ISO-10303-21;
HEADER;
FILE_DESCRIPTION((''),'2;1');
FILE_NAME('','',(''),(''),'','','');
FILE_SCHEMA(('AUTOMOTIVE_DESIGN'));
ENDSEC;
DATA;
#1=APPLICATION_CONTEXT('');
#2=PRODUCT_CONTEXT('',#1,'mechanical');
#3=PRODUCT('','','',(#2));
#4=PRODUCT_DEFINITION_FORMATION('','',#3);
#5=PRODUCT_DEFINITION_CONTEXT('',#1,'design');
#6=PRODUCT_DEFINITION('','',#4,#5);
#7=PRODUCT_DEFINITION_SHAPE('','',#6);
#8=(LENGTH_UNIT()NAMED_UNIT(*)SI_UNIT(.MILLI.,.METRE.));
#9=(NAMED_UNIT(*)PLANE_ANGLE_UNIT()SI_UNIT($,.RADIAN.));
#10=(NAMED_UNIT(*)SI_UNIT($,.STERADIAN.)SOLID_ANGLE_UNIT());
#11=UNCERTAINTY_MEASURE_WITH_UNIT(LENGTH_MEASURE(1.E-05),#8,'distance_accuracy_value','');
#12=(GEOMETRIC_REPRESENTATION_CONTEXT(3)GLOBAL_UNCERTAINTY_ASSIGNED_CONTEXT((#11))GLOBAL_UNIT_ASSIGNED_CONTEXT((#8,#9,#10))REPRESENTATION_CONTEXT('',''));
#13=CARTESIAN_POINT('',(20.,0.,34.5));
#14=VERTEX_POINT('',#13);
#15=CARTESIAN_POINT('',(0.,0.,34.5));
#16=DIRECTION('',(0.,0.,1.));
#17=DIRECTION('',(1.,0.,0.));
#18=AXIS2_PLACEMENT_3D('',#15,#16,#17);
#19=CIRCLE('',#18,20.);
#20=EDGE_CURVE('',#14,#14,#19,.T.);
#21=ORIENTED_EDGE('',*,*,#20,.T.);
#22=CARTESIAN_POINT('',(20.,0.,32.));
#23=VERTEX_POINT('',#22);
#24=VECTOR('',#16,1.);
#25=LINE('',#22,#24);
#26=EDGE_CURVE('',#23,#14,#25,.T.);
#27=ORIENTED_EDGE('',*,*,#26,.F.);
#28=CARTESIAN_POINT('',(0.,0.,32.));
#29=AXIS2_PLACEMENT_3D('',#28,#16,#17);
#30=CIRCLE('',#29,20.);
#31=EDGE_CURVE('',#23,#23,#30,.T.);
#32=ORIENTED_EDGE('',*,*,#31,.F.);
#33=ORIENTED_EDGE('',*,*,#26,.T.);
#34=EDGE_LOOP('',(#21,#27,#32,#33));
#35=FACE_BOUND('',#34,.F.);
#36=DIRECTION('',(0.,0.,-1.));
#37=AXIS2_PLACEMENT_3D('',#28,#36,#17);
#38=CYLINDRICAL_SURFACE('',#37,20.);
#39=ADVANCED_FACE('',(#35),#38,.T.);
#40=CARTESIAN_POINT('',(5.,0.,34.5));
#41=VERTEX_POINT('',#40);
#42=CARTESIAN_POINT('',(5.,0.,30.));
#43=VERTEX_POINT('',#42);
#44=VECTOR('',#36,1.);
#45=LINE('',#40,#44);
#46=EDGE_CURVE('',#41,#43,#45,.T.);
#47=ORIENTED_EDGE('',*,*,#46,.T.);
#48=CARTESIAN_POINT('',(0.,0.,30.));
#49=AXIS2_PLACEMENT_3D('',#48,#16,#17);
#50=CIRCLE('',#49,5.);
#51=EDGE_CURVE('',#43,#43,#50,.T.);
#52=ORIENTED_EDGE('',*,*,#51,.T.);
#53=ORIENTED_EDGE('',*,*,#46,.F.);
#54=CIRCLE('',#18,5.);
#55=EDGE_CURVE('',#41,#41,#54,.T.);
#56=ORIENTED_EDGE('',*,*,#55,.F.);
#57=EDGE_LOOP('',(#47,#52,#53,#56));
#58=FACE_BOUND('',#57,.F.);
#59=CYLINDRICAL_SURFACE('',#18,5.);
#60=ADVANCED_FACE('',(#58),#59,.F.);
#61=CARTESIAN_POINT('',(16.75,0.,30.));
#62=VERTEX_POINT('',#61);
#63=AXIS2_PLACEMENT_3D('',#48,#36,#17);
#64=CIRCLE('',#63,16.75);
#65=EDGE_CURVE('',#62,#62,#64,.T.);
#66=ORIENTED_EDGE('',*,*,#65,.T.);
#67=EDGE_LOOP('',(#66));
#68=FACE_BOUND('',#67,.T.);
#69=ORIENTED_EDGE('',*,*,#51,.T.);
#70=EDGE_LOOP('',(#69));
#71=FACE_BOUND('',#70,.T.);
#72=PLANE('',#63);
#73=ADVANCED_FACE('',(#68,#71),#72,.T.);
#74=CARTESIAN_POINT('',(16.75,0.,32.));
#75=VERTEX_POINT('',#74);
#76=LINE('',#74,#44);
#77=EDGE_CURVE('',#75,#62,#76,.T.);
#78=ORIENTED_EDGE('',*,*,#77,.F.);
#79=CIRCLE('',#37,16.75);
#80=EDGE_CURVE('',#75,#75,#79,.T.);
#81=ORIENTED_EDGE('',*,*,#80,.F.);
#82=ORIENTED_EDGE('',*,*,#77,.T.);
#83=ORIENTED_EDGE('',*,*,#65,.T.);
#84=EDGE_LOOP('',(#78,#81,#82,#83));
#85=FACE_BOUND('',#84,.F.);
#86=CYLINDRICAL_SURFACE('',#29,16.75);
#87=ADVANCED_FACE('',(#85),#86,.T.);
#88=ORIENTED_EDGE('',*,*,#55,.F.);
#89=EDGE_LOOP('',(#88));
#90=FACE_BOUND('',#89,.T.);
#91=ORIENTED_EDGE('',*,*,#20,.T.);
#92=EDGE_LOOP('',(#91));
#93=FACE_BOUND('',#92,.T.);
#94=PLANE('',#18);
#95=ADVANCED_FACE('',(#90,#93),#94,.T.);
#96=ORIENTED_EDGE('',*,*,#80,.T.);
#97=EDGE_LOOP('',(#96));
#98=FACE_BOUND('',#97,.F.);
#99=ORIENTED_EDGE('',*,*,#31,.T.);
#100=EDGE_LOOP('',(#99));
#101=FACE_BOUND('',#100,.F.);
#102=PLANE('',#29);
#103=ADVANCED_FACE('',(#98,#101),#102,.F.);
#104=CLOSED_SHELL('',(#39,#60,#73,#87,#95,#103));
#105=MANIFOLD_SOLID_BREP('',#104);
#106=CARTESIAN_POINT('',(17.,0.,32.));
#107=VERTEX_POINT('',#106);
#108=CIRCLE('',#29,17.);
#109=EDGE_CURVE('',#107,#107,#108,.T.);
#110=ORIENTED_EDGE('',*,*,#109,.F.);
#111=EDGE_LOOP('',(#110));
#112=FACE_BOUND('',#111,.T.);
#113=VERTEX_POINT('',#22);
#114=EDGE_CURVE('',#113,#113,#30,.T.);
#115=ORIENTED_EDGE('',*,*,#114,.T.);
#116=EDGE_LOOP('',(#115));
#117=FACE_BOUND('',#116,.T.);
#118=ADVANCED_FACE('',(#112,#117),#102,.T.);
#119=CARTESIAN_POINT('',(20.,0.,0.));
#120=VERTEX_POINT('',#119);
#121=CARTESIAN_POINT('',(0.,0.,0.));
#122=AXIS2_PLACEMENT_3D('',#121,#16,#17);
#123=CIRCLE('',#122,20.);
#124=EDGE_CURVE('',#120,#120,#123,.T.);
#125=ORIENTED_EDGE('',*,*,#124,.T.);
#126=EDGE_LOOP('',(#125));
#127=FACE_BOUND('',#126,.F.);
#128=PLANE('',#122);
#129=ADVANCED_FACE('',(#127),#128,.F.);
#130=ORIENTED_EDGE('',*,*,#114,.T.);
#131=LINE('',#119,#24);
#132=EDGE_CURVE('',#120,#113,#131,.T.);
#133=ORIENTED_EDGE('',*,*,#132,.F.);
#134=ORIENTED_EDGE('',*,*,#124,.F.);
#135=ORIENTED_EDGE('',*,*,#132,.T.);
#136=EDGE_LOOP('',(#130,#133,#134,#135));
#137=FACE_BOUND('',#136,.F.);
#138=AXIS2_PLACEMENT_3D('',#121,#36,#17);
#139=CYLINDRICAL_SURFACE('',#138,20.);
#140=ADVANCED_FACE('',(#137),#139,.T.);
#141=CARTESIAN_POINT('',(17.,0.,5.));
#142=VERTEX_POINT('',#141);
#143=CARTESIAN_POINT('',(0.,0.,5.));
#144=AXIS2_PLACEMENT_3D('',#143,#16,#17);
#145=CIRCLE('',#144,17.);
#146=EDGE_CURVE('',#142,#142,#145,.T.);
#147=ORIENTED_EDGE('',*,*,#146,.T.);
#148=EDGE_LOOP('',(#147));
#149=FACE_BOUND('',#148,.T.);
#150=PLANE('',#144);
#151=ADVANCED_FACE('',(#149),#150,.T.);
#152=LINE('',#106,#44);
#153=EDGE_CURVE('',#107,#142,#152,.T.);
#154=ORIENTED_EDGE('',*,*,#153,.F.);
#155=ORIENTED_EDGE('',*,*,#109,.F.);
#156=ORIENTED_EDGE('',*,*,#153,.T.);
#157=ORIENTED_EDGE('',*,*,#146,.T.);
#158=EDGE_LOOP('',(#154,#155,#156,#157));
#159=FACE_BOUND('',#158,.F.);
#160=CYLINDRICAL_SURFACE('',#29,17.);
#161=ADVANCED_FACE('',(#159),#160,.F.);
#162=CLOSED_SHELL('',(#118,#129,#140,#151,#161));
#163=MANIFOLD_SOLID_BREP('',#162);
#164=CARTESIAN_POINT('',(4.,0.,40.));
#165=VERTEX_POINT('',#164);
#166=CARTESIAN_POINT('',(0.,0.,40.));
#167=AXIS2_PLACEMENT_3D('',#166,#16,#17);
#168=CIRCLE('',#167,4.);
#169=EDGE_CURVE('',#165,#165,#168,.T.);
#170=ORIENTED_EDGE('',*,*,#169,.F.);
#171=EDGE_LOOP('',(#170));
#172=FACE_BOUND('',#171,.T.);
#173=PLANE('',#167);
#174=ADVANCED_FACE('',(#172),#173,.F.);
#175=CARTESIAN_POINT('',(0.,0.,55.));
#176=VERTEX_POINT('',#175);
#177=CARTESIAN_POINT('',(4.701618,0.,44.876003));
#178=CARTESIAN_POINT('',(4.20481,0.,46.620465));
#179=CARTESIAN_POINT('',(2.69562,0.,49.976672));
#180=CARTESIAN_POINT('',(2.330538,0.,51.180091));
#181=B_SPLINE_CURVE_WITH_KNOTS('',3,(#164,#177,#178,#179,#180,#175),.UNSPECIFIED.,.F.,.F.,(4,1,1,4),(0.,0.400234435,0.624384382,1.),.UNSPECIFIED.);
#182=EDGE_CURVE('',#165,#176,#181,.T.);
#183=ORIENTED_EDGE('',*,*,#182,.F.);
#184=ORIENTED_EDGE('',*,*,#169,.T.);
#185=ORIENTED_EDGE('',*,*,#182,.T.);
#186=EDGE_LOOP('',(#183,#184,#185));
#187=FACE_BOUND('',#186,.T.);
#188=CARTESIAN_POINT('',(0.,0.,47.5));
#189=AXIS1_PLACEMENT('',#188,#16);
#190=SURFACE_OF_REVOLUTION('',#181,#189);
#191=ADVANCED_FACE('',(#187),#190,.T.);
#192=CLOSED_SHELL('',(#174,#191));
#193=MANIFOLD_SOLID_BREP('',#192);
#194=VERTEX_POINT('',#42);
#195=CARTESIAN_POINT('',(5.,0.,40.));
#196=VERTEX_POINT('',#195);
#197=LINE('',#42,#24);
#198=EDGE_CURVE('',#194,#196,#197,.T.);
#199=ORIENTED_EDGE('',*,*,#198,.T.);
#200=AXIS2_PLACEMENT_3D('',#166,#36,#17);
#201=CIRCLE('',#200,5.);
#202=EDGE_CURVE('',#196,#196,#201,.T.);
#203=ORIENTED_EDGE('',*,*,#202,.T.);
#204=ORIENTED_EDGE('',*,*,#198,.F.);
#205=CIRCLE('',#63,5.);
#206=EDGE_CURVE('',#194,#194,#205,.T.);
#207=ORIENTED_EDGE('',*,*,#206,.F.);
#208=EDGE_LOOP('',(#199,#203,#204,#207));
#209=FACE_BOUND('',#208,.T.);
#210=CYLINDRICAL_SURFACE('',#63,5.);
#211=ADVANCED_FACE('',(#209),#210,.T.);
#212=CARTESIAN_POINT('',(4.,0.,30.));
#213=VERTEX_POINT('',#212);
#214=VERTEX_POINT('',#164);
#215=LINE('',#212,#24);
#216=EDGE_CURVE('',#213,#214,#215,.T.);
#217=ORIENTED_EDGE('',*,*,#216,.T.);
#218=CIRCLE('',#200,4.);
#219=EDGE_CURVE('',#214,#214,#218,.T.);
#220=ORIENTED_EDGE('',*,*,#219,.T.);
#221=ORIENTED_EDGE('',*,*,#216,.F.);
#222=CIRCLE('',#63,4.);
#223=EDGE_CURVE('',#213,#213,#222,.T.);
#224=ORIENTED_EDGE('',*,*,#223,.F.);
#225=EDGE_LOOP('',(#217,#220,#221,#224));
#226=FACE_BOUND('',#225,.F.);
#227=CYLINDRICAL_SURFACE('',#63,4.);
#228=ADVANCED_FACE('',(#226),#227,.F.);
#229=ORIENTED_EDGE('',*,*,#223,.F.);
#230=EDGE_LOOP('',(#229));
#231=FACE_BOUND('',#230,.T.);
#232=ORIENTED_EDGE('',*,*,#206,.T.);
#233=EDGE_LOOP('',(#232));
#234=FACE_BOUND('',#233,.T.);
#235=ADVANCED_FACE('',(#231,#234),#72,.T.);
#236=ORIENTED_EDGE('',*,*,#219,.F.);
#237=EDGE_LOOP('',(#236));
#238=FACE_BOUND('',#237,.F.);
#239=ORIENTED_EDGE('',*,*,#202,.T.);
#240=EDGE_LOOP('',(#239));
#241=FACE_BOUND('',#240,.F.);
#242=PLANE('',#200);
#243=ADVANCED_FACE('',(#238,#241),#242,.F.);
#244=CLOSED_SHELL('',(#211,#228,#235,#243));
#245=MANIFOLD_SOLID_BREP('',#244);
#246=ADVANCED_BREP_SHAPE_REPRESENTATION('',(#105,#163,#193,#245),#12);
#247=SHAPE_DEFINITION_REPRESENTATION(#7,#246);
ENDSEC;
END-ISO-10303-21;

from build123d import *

# Parameters (mm, degrees)
F0_R      = 20
F1_DEPTH  = 32
F2_R      = 17
F3_DEPTH  = 27
F4_R      = 20
F5_DEPTH  = 2.5
F6_R      = 16.75
F7_DEPTH  = 2
F8_R      = 5
F9_DEPTH  = 34.501
F10_R     = 5
F10_R_2   = 4
F11_DEPTH = 10


with BuildPart() as f1:
    # F0 (on Top) → F1 (new body)
    with BuildSketch(Plane.XY):
        Circle(F0_R)
    extrude(amount=F1_DEPTH)

    # F2 (on face) → F3 (cut)
    with BuildSketch(Plane.XY.offset(32)):
        Circle(F2_R)
    extrude(amount=-F3_DEPTH, mode=Mode.SUBTRACT)


with BuildPart() as f5:
    # F4 (on face) → F5 (new body)
    with BuildSketch(Plane.XY.offset(32)):
        Circle(F4_R)
    extrude(amount=F5_DEPTH)

    # F6 (on face) → F7 (join)
    with BuildSketch(Plane(origin=(0, 0, 32), x_dir=(1, 0, 0), z_dir=(0, 0, -1))):
        Circle(F6_R)
    extrude(amount=F7_DEPTH)

    # F8 (on face) → F9 (cut, through all)
    with BuildSketch(Plane.XY.offset(34.5)):
        Circle(F8_R)
    extrude(amount=-F9_DEPTH, mode=Mode.SUBTRACT)


with BuildPart() as f11:
    # F10 (on face) → F11 (new body)
    with BuildSketch(Plane(origin=(0, 0, 30), x_dir=(1, 0, 0), z_dir=(0, 0, -1))):
        Circle(F10_R)
        Circle(F10_R_2, mode=Mode.SUBTRACT)
    extrude(amount=-F11_DEPTH)


with BuildPart() as f13:
    # F12 (on Front) → F13 (revolve)
    with BuildSketch(Plane.XZ):
        with BuildLine():
            Line((0, 40), (4, 40))
            add(Edge.make_bspline(
                [(4, 40), (4.7016184977, 44.8760034117), (4.2048103253, 46.6204646024), (2.6956200107, 49.976672278), (2.3305378854, 51.1800907552), (0, 55)],
                knots=[0, 0, 0, 0, 0.4002344353, 0.6243843817, 1, 1, 1, 1], degree=3))
            Line((0, 55), (0, 40))
        make_face()
    revolve(axis=Axis((0, 0, 47.5), (0, 0, 1)))


solid = Compound([f1.part, f5.part, f11.part, f13.part])
